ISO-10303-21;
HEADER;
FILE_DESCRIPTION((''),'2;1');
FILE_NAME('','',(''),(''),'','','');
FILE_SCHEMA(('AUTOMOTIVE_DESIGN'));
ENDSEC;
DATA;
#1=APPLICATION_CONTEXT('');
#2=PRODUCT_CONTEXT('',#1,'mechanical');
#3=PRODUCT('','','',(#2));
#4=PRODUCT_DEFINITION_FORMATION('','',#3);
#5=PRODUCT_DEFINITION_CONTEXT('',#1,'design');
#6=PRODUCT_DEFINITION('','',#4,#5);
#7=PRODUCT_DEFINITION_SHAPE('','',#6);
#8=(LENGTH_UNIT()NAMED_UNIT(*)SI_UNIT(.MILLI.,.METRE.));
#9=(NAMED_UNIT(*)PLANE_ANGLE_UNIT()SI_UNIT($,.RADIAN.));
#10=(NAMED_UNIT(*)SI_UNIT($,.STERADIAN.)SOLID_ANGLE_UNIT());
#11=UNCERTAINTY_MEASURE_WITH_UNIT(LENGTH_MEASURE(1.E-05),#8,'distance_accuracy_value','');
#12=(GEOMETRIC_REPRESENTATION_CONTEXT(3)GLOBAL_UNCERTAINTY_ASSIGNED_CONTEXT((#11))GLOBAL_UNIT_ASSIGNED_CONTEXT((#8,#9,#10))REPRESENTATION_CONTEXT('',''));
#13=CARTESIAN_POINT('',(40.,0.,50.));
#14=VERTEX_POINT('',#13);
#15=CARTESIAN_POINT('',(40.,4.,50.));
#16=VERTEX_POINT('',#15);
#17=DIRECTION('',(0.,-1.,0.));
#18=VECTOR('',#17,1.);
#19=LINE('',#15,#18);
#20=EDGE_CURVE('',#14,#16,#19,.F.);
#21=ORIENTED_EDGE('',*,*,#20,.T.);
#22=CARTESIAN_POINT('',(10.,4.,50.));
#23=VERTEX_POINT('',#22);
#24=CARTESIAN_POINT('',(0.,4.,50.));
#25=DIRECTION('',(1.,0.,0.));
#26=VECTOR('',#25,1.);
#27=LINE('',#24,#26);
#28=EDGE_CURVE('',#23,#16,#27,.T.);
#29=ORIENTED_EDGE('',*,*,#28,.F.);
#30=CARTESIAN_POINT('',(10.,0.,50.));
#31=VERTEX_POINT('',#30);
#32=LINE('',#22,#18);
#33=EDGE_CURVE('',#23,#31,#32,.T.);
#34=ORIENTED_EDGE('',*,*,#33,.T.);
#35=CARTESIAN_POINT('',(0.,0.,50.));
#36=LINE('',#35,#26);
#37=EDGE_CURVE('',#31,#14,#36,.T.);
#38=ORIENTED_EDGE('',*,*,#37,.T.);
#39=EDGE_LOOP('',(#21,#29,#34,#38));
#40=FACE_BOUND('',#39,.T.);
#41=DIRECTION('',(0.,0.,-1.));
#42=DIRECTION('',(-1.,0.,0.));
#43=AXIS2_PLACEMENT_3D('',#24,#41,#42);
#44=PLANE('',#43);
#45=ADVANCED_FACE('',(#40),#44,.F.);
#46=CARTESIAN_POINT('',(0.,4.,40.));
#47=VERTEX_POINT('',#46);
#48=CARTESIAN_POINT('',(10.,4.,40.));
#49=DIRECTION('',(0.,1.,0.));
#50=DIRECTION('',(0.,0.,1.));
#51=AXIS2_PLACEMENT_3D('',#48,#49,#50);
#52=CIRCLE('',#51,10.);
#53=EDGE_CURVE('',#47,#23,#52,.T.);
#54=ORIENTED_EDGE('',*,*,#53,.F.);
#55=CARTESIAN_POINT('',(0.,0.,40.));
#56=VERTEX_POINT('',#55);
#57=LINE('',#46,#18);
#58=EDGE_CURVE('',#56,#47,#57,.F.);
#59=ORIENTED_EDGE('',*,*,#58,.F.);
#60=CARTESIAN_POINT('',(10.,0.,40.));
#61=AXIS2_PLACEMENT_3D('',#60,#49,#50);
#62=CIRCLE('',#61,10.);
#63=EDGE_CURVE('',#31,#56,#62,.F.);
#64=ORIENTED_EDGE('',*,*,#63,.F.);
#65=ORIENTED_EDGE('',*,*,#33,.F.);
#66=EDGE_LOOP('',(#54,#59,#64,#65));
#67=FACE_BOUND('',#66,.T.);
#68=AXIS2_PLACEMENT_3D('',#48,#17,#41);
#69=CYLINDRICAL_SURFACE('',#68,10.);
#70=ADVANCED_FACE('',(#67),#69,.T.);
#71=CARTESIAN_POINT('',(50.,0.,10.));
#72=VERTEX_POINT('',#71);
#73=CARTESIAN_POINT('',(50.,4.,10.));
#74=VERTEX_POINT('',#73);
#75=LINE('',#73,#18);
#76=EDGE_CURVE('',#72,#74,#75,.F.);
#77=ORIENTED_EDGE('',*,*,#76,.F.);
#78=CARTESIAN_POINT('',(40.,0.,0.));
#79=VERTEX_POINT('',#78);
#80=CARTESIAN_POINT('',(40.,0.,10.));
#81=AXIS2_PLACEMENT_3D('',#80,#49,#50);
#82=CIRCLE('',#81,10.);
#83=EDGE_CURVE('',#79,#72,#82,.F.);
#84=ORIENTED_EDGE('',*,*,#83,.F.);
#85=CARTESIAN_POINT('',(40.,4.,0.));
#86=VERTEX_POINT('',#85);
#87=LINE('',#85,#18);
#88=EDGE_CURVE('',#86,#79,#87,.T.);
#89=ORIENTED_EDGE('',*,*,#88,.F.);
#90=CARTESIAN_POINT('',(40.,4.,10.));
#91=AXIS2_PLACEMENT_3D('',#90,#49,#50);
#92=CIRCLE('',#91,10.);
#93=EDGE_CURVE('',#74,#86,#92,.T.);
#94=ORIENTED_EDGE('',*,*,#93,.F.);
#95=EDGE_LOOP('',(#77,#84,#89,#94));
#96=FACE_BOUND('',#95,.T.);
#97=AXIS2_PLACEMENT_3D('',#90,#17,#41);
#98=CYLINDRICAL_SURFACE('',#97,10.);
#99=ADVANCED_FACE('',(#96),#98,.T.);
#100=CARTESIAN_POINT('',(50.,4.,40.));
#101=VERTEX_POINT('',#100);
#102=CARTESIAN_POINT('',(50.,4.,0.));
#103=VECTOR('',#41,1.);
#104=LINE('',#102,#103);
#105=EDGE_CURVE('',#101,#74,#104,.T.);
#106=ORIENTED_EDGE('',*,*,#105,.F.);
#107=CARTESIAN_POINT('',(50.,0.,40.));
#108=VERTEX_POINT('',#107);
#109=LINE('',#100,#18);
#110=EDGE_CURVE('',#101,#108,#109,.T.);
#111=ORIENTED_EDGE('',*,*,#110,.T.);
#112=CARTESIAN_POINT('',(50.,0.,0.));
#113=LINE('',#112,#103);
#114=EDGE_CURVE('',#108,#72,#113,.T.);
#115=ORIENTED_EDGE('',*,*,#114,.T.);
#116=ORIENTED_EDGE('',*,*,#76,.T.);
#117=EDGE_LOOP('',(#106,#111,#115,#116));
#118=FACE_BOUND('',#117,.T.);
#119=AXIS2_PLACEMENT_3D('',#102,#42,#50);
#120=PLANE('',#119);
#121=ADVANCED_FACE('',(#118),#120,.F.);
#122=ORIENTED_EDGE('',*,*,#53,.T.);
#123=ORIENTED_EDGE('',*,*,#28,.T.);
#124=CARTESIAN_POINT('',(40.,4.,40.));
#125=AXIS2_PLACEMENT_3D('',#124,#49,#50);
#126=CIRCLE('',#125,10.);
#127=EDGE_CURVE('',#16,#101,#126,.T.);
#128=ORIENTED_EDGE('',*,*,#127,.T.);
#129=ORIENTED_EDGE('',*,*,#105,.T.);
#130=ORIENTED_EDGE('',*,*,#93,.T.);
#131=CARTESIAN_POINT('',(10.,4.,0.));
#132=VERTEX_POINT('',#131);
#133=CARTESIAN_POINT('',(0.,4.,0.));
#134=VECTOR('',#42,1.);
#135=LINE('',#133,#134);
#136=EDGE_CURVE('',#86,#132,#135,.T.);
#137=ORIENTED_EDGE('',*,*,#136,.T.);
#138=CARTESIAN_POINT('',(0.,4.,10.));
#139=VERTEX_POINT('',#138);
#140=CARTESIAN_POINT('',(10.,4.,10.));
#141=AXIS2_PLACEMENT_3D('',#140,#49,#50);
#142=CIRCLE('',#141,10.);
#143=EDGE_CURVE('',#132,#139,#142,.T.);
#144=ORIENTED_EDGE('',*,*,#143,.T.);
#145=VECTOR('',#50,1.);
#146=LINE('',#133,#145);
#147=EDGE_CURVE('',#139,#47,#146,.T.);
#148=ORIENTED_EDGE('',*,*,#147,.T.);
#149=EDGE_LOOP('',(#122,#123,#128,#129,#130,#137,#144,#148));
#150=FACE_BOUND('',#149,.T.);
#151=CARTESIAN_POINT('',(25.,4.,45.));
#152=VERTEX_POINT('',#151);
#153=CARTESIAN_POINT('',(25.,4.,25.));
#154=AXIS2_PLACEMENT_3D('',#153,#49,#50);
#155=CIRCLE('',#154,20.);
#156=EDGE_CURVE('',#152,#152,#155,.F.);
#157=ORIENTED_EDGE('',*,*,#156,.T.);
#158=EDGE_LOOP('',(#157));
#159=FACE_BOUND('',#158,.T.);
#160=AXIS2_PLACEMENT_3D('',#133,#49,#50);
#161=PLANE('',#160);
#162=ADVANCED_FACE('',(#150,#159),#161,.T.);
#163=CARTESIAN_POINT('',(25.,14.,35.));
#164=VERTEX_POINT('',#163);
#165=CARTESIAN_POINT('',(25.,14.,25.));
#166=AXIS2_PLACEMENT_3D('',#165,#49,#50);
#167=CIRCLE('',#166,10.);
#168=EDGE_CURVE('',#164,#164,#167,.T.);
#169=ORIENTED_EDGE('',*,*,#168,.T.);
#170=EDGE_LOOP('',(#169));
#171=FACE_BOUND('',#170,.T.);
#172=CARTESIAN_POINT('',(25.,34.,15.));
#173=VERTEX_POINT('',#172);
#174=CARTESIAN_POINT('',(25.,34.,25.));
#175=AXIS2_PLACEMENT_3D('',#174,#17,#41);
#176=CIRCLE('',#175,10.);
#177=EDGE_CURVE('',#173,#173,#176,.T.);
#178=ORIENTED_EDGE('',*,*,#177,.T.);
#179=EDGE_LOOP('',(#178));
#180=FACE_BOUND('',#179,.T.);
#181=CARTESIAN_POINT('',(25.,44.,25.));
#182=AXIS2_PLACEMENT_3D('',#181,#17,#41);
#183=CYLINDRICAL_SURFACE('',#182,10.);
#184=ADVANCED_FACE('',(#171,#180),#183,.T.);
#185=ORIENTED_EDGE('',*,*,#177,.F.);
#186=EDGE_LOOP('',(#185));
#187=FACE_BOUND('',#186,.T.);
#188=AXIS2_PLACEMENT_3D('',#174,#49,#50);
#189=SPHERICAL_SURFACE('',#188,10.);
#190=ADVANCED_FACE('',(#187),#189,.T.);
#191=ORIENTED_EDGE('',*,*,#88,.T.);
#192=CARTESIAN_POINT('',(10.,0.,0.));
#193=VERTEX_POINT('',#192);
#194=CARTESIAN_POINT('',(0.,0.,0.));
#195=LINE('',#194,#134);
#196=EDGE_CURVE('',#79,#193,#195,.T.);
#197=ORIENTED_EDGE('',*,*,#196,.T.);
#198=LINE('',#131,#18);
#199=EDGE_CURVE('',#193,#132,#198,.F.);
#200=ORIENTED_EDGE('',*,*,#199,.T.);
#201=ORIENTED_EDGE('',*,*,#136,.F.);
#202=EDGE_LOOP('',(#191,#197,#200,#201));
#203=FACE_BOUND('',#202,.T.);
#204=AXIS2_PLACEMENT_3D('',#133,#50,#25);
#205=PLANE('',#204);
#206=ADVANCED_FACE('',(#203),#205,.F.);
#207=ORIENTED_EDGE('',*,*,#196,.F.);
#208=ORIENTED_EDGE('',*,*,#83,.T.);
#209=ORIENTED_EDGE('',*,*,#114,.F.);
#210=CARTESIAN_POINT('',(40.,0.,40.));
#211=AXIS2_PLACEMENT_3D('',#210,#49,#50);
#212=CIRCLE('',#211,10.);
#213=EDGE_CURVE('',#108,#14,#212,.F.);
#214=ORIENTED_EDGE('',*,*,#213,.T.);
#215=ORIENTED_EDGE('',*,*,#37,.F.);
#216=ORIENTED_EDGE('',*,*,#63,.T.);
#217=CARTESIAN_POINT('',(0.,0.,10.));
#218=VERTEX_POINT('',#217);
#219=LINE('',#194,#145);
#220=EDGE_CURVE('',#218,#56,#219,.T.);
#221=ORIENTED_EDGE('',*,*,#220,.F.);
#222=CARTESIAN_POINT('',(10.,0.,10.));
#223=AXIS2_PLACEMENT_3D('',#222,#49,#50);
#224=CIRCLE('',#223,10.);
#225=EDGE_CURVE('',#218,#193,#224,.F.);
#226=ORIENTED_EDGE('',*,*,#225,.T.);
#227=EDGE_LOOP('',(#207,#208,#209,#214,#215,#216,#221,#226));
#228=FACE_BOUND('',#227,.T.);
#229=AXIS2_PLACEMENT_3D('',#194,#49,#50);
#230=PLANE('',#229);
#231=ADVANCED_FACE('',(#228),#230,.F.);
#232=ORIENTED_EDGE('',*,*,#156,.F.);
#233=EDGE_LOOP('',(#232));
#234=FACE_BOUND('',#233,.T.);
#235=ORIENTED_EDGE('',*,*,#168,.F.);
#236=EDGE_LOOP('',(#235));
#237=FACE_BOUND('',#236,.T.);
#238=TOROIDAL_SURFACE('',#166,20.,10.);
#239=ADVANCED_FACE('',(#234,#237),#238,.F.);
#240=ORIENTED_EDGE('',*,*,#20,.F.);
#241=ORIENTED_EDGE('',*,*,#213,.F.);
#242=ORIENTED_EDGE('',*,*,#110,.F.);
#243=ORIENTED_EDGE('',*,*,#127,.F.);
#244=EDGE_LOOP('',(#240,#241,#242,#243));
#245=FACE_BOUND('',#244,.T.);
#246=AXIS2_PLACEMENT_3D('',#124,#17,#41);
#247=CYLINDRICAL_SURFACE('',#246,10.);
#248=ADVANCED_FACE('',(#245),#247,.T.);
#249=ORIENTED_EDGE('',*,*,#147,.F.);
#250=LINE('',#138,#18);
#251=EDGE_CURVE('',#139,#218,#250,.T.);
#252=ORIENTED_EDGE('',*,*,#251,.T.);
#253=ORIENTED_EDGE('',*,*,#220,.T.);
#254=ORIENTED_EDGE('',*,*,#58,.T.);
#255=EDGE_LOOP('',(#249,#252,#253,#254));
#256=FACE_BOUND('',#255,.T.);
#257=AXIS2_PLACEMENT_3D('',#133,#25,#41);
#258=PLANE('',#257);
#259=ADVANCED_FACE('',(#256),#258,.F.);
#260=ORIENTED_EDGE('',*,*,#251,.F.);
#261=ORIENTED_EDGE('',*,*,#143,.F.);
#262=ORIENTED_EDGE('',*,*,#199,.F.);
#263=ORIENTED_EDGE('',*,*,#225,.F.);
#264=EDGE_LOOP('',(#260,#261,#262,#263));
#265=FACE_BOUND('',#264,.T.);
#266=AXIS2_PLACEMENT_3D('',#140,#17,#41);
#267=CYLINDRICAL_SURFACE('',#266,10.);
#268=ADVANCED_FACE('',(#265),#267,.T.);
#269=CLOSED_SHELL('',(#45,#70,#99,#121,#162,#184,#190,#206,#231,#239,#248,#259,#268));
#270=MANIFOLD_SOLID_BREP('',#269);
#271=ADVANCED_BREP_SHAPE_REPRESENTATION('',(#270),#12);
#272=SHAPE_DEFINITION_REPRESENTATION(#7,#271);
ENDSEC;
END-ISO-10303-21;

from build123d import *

# Parameters (mm, degrees)
SKETCH_1_W      = 50
SKETCH_1_H      = 50
EXTRUDE_1_DEPTH = 4
SKETCH_2_R      = 10
EXTRUDE_2_DEPTH = 40
FILLET_1_R      = 10
FILLET_2_R      = 10
FILLET_3_R      = 10


with BuildPart() as part:
    # 草图1 → 凸台-拉伸1 (new body)
    with BuildSketch(Plane(origin=(0, 0, 0), x_dir=(1, 0, 0), z_dir=(0, 1, 0))):
        with Locations((25, -25)):
            Rectangle(SKETCH_1_W, SKETCH_1_H)
    extrude(amount=EXTRUDE_1_DEPTH)

    # 草图2 → 凸台-拉伸2 (add)
    with BuildSketch(Plane(origin=(0, 4, 0), x_dir=(1, 0, 0), z_dir=(0, 1, 0))):
        with Locations(Location((25, -25, 0), (0, 0, 270))):
            Circle(SKETCH_2_R)
    extrude(amount=EXTRUDE_2_DEPTH)

    # 圆角1
    fillet_1_edges = [part.edges().sort_by_distance(p)[0] for p in [
        (25, 4, 15),
    ]]
    fillet(fillet_1_edges, radius=FILLET_1_R)

    # 圆角2
    fillet_2_edges = [part.edges().sort_by_distance(p)[0] for p in [
        (25, 44, 15),
    ]]
    fillet(fillet_2_edges, radius=FILLET_2_R)

    # 圆角3
    fillet_3_edges = [part.edges().sort_by_distance(p)[0] for p in [
        (0, 2, 0),
        (50, 2, 0),
        (50, 2, 50),
        (0, 2, 50),
    ]]
    fillet(fillet_3_edges, radius=FILLET_3_R)


solid = part.part
